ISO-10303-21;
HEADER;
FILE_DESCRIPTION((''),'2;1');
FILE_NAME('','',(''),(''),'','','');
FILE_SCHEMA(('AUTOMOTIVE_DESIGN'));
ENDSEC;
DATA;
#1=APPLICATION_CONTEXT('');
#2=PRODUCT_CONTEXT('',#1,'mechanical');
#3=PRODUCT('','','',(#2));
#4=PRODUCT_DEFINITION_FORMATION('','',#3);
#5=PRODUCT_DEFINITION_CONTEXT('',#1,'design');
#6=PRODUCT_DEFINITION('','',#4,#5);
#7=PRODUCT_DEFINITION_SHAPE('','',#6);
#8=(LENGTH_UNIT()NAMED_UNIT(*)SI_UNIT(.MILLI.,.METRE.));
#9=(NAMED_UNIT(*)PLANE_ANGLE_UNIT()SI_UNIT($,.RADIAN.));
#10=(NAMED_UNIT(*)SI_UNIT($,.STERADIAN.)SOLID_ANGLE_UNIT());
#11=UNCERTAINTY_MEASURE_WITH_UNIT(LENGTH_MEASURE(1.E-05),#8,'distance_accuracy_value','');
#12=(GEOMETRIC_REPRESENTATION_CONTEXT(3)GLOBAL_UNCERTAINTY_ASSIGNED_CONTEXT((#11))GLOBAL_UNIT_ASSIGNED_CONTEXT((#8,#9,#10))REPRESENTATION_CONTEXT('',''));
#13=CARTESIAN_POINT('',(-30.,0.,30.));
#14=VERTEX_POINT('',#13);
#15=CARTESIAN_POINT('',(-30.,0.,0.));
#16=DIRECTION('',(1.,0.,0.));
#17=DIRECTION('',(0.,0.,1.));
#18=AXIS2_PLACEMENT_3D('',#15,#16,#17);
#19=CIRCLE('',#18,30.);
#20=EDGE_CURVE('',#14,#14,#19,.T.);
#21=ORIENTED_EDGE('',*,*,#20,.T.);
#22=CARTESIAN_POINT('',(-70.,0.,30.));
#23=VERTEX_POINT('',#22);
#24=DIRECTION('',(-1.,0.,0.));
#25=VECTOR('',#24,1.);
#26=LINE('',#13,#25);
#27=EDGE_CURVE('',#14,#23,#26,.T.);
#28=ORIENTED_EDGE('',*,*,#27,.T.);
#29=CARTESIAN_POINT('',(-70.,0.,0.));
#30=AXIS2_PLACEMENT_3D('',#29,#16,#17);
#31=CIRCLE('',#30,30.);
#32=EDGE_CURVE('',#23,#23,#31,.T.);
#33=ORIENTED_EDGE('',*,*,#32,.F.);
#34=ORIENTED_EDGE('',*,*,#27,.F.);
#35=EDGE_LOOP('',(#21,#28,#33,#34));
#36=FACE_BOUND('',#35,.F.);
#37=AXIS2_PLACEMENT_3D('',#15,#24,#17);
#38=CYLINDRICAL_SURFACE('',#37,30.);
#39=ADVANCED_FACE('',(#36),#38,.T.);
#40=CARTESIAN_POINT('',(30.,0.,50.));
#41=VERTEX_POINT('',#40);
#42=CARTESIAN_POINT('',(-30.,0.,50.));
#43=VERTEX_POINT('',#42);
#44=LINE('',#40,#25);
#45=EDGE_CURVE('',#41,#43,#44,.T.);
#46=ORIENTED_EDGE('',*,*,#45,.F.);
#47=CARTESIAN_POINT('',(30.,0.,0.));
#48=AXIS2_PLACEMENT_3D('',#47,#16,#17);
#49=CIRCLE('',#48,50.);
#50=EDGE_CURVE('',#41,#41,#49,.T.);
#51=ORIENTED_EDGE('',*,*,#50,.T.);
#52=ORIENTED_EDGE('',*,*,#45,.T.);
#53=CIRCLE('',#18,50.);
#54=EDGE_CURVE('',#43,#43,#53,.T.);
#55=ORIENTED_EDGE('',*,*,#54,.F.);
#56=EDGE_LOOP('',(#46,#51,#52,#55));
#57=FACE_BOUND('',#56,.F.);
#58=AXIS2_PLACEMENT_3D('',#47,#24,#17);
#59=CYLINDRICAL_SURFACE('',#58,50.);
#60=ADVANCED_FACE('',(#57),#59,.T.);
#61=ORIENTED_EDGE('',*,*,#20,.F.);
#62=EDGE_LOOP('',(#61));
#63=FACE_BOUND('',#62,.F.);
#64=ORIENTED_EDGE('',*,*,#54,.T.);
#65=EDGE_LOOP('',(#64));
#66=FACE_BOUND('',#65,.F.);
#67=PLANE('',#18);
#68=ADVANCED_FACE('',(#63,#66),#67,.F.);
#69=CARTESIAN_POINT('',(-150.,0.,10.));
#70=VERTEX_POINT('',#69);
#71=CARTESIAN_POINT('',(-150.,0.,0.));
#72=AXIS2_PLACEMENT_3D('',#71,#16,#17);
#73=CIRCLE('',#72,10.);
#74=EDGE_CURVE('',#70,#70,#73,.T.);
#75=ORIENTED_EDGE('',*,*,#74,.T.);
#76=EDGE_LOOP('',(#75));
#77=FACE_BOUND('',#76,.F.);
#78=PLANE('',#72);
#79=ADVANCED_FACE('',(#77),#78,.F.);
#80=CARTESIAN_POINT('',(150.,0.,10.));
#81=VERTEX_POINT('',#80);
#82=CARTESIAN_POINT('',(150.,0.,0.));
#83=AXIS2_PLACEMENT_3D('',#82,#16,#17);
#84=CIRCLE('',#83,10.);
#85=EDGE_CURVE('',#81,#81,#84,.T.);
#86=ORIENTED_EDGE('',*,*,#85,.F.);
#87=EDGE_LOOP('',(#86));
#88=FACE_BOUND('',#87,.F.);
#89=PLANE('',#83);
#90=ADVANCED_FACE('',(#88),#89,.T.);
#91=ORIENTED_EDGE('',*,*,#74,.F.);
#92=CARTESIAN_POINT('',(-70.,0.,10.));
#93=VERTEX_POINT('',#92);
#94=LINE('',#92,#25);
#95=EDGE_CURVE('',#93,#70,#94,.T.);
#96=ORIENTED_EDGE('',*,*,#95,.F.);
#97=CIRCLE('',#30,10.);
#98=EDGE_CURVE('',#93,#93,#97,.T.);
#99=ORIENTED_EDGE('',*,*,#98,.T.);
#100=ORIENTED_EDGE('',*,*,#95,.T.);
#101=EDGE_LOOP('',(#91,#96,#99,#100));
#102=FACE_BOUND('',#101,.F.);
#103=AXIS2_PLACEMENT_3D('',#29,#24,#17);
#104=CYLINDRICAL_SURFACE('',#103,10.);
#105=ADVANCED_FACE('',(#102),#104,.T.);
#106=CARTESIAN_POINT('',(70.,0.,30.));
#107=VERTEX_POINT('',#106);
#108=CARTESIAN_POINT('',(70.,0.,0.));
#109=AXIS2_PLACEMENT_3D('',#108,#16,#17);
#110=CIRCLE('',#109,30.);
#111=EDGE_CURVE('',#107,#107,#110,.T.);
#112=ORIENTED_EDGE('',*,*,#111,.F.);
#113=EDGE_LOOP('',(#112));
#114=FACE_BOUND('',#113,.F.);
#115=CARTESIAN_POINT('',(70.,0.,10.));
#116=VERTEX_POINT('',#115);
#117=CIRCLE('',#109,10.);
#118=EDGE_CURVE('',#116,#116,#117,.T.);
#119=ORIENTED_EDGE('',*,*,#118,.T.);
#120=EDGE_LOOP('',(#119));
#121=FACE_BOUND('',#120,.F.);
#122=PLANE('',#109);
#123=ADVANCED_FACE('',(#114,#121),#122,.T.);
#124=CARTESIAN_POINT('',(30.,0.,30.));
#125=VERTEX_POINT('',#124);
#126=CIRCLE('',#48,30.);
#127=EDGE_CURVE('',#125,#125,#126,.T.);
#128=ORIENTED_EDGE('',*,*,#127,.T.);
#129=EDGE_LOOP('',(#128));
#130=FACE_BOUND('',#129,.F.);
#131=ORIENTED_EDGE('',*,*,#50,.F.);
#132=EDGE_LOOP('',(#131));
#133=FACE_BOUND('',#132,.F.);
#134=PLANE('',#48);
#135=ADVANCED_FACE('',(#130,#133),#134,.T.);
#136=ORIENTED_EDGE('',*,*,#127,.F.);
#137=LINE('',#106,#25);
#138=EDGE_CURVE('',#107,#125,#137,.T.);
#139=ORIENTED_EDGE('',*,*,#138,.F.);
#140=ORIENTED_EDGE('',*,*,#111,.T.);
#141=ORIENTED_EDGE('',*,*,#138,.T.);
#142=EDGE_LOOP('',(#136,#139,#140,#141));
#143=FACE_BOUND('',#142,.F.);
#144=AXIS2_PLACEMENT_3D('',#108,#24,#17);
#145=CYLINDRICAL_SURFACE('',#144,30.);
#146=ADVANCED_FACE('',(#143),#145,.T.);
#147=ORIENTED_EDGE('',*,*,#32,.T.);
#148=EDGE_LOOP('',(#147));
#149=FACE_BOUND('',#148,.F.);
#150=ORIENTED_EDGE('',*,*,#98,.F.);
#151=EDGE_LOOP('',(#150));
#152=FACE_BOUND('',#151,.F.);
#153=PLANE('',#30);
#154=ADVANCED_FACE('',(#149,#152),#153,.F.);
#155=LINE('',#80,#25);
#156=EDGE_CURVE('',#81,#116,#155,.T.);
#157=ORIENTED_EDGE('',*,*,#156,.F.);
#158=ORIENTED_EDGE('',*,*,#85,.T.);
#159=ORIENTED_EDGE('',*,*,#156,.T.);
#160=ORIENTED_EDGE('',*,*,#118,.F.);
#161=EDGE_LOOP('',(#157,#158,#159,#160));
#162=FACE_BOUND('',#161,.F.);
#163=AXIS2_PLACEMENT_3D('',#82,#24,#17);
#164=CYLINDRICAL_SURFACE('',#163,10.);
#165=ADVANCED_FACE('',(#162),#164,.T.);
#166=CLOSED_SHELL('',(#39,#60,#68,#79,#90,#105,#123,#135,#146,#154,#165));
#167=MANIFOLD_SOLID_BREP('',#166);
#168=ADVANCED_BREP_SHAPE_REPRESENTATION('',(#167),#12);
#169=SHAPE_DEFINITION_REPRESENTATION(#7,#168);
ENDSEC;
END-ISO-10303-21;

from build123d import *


with BuildPart() as part:
    # Sketch2 → Revolve1 (revolve)
    with BuildSketch(Plane(origin=(0, 0, 0), x_dir=(1, 0, 0), z_dir=(0, 1, 0)), mode=Mode.PRIVATE) as revolve1_sk:
        Polygon((30, 50), (-30, 50), (-30, 30), (-70, 30), (-70, 10), (-150, 10), (-150, 0), (150, 0), (150, 10), (70, 10), (70, 30), (30, 30), align=None)
    revolve(revolve1_sk.sketch.rotate(Axis((-169.638554217, 0, 0), (1, 0, 0)), 180), axis=Axis((-169.638554217, 0, 0), (1, 0, 0)))  # turned: the seam where the file's is


solid = part.part
